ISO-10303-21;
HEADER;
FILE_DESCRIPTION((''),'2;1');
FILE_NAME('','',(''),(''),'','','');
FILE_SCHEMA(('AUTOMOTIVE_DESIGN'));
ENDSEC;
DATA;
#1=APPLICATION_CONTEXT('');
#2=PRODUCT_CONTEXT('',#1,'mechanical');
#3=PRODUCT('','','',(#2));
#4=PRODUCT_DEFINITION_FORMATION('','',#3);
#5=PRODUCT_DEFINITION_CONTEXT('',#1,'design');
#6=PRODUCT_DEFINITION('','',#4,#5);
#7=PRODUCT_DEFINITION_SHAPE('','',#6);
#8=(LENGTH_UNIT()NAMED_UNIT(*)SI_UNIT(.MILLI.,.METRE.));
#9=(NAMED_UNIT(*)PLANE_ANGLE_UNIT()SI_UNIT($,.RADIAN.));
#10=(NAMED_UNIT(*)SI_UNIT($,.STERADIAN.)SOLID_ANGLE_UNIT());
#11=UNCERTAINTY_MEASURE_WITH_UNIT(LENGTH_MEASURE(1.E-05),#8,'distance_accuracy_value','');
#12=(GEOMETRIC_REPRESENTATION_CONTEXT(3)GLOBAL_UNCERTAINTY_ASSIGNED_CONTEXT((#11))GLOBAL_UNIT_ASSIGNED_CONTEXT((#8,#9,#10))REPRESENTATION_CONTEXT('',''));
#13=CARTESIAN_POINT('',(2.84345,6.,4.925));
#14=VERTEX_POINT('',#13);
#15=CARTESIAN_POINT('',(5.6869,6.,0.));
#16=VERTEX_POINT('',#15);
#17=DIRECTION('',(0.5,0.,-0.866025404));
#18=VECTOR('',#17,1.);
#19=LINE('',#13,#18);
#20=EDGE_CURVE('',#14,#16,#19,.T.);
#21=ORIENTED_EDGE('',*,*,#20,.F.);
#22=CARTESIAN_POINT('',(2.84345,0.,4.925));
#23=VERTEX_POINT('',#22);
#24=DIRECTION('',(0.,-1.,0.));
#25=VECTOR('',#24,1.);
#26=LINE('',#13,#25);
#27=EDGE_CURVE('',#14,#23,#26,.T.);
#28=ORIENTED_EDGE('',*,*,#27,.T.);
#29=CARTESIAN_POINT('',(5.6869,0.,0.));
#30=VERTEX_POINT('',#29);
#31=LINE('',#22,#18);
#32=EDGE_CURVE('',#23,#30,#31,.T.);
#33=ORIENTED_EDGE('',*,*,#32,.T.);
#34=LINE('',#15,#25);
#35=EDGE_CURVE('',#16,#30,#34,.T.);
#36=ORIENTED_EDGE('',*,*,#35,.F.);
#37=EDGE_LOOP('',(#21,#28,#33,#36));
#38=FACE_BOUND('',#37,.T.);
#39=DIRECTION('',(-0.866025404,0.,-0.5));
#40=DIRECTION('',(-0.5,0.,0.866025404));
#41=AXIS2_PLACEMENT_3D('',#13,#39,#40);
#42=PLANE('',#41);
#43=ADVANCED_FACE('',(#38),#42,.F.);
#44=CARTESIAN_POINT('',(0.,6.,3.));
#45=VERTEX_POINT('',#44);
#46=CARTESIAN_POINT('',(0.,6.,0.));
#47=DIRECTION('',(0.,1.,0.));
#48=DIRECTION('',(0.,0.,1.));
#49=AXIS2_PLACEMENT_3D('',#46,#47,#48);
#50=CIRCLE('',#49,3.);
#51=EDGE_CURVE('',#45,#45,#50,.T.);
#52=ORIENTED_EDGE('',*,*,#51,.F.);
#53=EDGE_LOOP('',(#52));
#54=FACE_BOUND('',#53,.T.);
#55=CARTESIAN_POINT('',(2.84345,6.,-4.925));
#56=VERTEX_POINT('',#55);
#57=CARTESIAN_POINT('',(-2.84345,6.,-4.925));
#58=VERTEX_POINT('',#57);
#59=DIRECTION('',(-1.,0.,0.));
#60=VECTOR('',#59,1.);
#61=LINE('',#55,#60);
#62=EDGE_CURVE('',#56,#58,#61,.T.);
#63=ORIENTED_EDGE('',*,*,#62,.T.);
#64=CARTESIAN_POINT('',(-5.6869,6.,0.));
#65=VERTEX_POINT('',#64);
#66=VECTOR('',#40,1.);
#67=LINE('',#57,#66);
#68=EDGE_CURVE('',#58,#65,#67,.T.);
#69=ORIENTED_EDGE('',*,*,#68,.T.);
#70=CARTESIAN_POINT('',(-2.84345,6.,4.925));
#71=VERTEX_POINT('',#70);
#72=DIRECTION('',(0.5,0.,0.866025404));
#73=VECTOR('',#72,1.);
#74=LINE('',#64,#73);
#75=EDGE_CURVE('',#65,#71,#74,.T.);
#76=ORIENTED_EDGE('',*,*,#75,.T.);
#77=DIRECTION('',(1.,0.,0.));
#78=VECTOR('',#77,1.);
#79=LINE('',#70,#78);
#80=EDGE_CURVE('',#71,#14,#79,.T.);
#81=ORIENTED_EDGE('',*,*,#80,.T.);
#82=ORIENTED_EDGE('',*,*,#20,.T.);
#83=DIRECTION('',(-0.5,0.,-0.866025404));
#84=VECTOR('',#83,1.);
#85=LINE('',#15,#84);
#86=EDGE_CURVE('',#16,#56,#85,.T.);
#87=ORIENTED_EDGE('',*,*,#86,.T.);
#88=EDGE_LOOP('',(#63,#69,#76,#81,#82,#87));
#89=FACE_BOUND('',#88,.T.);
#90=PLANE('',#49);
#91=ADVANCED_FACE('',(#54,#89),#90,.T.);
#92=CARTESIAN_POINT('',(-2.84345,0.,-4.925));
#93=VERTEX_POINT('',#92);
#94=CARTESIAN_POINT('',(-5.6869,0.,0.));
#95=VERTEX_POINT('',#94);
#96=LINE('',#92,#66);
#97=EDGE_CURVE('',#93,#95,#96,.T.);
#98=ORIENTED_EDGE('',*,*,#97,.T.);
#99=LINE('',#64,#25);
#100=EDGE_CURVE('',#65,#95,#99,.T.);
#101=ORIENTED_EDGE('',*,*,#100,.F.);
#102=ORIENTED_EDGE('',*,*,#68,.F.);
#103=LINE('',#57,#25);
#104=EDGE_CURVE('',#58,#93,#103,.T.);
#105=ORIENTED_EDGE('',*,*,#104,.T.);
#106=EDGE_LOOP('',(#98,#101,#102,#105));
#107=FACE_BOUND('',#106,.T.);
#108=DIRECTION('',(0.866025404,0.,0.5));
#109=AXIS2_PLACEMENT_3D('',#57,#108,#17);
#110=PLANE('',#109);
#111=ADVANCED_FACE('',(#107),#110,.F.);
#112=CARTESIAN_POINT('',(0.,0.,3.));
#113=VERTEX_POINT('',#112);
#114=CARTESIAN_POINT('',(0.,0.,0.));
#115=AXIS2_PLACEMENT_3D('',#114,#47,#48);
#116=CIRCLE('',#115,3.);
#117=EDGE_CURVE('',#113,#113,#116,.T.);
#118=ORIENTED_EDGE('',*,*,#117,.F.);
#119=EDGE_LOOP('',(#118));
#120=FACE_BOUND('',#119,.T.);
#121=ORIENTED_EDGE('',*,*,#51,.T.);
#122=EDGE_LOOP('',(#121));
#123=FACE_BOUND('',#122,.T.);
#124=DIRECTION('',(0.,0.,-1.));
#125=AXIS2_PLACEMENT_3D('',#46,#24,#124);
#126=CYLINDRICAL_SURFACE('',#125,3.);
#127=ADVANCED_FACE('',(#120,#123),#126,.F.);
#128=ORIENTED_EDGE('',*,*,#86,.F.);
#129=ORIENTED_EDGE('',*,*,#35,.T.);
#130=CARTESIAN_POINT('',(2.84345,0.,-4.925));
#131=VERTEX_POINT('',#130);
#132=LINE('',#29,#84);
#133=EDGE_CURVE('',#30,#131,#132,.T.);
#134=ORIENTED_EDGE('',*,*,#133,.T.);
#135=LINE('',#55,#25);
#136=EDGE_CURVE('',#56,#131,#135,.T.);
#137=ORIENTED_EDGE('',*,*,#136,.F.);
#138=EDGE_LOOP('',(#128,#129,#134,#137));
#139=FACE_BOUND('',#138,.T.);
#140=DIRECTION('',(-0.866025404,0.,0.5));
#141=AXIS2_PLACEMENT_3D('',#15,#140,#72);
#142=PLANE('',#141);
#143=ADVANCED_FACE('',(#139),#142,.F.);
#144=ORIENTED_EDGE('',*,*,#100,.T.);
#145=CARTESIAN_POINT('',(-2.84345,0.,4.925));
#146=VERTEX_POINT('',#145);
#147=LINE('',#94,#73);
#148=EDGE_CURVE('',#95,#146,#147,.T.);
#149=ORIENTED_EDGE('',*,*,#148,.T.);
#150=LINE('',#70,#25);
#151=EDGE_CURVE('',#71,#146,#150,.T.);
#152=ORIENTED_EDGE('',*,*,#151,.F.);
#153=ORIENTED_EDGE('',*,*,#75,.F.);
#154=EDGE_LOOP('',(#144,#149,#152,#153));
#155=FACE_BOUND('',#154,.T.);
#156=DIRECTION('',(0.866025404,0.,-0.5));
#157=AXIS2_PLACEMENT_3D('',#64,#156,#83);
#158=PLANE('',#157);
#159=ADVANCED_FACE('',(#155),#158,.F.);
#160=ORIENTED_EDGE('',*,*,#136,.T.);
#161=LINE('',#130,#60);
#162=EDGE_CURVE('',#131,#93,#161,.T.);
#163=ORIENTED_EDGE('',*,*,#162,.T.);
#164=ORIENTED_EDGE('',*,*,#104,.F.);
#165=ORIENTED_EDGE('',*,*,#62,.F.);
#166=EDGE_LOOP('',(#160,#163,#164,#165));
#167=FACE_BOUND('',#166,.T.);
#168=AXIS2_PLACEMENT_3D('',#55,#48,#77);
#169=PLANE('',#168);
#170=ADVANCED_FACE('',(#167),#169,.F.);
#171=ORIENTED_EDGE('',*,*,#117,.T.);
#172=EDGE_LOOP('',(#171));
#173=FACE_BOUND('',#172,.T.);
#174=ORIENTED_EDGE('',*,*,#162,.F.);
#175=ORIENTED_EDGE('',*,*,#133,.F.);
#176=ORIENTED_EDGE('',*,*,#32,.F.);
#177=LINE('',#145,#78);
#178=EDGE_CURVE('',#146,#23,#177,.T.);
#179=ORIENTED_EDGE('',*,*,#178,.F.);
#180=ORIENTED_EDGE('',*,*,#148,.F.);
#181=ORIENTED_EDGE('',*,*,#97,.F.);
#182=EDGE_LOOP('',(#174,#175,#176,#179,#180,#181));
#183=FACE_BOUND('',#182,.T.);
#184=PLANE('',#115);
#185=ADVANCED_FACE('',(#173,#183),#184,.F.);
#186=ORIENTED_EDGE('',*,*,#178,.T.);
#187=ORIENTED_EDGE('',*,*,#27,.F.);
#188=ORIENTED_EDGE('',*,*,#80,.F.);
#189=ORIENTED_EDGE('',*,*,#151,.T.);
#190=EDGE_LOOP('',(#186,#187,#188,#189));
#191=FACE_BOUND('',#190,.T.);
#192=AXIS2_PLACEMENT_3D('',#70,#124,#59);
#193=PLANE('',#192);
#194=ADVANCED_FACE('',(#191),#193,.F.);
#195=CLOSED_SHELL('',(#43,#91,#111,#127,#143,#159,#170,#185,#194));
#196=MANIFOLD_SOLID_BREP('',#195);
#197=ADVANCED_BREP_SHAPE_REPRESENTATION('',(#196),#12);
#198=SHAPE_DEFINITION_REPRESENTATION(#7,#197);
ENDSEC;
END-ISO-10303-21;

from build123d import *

# Parameters (mm, degrees)
SKETCH1_R           = 3
BOSS_EXTRUDE1_DEPTH = 6


with BuildPart() as part:
    # Sketch1 → Boss-Extrude1 (new body)
    with BuildSketch(Plane(origin=(0, 0, 0), x_dir=(1, 0, 0), z_dir=(0, 1, 0))):
        Polygon((2.843450076, 4.925), (-2.843450076, 4.925), (-5.686900152, 0), (-2.843450076, -4.925), (2.843450076, -4.925), (5.686900152, 0), align=None)
        Circle(SKETCH1_R, mode=Mode.SUBTRACT)
    extrude(amount=BOSS_EXTRUDE1_DEPTH)


solid = part.part
